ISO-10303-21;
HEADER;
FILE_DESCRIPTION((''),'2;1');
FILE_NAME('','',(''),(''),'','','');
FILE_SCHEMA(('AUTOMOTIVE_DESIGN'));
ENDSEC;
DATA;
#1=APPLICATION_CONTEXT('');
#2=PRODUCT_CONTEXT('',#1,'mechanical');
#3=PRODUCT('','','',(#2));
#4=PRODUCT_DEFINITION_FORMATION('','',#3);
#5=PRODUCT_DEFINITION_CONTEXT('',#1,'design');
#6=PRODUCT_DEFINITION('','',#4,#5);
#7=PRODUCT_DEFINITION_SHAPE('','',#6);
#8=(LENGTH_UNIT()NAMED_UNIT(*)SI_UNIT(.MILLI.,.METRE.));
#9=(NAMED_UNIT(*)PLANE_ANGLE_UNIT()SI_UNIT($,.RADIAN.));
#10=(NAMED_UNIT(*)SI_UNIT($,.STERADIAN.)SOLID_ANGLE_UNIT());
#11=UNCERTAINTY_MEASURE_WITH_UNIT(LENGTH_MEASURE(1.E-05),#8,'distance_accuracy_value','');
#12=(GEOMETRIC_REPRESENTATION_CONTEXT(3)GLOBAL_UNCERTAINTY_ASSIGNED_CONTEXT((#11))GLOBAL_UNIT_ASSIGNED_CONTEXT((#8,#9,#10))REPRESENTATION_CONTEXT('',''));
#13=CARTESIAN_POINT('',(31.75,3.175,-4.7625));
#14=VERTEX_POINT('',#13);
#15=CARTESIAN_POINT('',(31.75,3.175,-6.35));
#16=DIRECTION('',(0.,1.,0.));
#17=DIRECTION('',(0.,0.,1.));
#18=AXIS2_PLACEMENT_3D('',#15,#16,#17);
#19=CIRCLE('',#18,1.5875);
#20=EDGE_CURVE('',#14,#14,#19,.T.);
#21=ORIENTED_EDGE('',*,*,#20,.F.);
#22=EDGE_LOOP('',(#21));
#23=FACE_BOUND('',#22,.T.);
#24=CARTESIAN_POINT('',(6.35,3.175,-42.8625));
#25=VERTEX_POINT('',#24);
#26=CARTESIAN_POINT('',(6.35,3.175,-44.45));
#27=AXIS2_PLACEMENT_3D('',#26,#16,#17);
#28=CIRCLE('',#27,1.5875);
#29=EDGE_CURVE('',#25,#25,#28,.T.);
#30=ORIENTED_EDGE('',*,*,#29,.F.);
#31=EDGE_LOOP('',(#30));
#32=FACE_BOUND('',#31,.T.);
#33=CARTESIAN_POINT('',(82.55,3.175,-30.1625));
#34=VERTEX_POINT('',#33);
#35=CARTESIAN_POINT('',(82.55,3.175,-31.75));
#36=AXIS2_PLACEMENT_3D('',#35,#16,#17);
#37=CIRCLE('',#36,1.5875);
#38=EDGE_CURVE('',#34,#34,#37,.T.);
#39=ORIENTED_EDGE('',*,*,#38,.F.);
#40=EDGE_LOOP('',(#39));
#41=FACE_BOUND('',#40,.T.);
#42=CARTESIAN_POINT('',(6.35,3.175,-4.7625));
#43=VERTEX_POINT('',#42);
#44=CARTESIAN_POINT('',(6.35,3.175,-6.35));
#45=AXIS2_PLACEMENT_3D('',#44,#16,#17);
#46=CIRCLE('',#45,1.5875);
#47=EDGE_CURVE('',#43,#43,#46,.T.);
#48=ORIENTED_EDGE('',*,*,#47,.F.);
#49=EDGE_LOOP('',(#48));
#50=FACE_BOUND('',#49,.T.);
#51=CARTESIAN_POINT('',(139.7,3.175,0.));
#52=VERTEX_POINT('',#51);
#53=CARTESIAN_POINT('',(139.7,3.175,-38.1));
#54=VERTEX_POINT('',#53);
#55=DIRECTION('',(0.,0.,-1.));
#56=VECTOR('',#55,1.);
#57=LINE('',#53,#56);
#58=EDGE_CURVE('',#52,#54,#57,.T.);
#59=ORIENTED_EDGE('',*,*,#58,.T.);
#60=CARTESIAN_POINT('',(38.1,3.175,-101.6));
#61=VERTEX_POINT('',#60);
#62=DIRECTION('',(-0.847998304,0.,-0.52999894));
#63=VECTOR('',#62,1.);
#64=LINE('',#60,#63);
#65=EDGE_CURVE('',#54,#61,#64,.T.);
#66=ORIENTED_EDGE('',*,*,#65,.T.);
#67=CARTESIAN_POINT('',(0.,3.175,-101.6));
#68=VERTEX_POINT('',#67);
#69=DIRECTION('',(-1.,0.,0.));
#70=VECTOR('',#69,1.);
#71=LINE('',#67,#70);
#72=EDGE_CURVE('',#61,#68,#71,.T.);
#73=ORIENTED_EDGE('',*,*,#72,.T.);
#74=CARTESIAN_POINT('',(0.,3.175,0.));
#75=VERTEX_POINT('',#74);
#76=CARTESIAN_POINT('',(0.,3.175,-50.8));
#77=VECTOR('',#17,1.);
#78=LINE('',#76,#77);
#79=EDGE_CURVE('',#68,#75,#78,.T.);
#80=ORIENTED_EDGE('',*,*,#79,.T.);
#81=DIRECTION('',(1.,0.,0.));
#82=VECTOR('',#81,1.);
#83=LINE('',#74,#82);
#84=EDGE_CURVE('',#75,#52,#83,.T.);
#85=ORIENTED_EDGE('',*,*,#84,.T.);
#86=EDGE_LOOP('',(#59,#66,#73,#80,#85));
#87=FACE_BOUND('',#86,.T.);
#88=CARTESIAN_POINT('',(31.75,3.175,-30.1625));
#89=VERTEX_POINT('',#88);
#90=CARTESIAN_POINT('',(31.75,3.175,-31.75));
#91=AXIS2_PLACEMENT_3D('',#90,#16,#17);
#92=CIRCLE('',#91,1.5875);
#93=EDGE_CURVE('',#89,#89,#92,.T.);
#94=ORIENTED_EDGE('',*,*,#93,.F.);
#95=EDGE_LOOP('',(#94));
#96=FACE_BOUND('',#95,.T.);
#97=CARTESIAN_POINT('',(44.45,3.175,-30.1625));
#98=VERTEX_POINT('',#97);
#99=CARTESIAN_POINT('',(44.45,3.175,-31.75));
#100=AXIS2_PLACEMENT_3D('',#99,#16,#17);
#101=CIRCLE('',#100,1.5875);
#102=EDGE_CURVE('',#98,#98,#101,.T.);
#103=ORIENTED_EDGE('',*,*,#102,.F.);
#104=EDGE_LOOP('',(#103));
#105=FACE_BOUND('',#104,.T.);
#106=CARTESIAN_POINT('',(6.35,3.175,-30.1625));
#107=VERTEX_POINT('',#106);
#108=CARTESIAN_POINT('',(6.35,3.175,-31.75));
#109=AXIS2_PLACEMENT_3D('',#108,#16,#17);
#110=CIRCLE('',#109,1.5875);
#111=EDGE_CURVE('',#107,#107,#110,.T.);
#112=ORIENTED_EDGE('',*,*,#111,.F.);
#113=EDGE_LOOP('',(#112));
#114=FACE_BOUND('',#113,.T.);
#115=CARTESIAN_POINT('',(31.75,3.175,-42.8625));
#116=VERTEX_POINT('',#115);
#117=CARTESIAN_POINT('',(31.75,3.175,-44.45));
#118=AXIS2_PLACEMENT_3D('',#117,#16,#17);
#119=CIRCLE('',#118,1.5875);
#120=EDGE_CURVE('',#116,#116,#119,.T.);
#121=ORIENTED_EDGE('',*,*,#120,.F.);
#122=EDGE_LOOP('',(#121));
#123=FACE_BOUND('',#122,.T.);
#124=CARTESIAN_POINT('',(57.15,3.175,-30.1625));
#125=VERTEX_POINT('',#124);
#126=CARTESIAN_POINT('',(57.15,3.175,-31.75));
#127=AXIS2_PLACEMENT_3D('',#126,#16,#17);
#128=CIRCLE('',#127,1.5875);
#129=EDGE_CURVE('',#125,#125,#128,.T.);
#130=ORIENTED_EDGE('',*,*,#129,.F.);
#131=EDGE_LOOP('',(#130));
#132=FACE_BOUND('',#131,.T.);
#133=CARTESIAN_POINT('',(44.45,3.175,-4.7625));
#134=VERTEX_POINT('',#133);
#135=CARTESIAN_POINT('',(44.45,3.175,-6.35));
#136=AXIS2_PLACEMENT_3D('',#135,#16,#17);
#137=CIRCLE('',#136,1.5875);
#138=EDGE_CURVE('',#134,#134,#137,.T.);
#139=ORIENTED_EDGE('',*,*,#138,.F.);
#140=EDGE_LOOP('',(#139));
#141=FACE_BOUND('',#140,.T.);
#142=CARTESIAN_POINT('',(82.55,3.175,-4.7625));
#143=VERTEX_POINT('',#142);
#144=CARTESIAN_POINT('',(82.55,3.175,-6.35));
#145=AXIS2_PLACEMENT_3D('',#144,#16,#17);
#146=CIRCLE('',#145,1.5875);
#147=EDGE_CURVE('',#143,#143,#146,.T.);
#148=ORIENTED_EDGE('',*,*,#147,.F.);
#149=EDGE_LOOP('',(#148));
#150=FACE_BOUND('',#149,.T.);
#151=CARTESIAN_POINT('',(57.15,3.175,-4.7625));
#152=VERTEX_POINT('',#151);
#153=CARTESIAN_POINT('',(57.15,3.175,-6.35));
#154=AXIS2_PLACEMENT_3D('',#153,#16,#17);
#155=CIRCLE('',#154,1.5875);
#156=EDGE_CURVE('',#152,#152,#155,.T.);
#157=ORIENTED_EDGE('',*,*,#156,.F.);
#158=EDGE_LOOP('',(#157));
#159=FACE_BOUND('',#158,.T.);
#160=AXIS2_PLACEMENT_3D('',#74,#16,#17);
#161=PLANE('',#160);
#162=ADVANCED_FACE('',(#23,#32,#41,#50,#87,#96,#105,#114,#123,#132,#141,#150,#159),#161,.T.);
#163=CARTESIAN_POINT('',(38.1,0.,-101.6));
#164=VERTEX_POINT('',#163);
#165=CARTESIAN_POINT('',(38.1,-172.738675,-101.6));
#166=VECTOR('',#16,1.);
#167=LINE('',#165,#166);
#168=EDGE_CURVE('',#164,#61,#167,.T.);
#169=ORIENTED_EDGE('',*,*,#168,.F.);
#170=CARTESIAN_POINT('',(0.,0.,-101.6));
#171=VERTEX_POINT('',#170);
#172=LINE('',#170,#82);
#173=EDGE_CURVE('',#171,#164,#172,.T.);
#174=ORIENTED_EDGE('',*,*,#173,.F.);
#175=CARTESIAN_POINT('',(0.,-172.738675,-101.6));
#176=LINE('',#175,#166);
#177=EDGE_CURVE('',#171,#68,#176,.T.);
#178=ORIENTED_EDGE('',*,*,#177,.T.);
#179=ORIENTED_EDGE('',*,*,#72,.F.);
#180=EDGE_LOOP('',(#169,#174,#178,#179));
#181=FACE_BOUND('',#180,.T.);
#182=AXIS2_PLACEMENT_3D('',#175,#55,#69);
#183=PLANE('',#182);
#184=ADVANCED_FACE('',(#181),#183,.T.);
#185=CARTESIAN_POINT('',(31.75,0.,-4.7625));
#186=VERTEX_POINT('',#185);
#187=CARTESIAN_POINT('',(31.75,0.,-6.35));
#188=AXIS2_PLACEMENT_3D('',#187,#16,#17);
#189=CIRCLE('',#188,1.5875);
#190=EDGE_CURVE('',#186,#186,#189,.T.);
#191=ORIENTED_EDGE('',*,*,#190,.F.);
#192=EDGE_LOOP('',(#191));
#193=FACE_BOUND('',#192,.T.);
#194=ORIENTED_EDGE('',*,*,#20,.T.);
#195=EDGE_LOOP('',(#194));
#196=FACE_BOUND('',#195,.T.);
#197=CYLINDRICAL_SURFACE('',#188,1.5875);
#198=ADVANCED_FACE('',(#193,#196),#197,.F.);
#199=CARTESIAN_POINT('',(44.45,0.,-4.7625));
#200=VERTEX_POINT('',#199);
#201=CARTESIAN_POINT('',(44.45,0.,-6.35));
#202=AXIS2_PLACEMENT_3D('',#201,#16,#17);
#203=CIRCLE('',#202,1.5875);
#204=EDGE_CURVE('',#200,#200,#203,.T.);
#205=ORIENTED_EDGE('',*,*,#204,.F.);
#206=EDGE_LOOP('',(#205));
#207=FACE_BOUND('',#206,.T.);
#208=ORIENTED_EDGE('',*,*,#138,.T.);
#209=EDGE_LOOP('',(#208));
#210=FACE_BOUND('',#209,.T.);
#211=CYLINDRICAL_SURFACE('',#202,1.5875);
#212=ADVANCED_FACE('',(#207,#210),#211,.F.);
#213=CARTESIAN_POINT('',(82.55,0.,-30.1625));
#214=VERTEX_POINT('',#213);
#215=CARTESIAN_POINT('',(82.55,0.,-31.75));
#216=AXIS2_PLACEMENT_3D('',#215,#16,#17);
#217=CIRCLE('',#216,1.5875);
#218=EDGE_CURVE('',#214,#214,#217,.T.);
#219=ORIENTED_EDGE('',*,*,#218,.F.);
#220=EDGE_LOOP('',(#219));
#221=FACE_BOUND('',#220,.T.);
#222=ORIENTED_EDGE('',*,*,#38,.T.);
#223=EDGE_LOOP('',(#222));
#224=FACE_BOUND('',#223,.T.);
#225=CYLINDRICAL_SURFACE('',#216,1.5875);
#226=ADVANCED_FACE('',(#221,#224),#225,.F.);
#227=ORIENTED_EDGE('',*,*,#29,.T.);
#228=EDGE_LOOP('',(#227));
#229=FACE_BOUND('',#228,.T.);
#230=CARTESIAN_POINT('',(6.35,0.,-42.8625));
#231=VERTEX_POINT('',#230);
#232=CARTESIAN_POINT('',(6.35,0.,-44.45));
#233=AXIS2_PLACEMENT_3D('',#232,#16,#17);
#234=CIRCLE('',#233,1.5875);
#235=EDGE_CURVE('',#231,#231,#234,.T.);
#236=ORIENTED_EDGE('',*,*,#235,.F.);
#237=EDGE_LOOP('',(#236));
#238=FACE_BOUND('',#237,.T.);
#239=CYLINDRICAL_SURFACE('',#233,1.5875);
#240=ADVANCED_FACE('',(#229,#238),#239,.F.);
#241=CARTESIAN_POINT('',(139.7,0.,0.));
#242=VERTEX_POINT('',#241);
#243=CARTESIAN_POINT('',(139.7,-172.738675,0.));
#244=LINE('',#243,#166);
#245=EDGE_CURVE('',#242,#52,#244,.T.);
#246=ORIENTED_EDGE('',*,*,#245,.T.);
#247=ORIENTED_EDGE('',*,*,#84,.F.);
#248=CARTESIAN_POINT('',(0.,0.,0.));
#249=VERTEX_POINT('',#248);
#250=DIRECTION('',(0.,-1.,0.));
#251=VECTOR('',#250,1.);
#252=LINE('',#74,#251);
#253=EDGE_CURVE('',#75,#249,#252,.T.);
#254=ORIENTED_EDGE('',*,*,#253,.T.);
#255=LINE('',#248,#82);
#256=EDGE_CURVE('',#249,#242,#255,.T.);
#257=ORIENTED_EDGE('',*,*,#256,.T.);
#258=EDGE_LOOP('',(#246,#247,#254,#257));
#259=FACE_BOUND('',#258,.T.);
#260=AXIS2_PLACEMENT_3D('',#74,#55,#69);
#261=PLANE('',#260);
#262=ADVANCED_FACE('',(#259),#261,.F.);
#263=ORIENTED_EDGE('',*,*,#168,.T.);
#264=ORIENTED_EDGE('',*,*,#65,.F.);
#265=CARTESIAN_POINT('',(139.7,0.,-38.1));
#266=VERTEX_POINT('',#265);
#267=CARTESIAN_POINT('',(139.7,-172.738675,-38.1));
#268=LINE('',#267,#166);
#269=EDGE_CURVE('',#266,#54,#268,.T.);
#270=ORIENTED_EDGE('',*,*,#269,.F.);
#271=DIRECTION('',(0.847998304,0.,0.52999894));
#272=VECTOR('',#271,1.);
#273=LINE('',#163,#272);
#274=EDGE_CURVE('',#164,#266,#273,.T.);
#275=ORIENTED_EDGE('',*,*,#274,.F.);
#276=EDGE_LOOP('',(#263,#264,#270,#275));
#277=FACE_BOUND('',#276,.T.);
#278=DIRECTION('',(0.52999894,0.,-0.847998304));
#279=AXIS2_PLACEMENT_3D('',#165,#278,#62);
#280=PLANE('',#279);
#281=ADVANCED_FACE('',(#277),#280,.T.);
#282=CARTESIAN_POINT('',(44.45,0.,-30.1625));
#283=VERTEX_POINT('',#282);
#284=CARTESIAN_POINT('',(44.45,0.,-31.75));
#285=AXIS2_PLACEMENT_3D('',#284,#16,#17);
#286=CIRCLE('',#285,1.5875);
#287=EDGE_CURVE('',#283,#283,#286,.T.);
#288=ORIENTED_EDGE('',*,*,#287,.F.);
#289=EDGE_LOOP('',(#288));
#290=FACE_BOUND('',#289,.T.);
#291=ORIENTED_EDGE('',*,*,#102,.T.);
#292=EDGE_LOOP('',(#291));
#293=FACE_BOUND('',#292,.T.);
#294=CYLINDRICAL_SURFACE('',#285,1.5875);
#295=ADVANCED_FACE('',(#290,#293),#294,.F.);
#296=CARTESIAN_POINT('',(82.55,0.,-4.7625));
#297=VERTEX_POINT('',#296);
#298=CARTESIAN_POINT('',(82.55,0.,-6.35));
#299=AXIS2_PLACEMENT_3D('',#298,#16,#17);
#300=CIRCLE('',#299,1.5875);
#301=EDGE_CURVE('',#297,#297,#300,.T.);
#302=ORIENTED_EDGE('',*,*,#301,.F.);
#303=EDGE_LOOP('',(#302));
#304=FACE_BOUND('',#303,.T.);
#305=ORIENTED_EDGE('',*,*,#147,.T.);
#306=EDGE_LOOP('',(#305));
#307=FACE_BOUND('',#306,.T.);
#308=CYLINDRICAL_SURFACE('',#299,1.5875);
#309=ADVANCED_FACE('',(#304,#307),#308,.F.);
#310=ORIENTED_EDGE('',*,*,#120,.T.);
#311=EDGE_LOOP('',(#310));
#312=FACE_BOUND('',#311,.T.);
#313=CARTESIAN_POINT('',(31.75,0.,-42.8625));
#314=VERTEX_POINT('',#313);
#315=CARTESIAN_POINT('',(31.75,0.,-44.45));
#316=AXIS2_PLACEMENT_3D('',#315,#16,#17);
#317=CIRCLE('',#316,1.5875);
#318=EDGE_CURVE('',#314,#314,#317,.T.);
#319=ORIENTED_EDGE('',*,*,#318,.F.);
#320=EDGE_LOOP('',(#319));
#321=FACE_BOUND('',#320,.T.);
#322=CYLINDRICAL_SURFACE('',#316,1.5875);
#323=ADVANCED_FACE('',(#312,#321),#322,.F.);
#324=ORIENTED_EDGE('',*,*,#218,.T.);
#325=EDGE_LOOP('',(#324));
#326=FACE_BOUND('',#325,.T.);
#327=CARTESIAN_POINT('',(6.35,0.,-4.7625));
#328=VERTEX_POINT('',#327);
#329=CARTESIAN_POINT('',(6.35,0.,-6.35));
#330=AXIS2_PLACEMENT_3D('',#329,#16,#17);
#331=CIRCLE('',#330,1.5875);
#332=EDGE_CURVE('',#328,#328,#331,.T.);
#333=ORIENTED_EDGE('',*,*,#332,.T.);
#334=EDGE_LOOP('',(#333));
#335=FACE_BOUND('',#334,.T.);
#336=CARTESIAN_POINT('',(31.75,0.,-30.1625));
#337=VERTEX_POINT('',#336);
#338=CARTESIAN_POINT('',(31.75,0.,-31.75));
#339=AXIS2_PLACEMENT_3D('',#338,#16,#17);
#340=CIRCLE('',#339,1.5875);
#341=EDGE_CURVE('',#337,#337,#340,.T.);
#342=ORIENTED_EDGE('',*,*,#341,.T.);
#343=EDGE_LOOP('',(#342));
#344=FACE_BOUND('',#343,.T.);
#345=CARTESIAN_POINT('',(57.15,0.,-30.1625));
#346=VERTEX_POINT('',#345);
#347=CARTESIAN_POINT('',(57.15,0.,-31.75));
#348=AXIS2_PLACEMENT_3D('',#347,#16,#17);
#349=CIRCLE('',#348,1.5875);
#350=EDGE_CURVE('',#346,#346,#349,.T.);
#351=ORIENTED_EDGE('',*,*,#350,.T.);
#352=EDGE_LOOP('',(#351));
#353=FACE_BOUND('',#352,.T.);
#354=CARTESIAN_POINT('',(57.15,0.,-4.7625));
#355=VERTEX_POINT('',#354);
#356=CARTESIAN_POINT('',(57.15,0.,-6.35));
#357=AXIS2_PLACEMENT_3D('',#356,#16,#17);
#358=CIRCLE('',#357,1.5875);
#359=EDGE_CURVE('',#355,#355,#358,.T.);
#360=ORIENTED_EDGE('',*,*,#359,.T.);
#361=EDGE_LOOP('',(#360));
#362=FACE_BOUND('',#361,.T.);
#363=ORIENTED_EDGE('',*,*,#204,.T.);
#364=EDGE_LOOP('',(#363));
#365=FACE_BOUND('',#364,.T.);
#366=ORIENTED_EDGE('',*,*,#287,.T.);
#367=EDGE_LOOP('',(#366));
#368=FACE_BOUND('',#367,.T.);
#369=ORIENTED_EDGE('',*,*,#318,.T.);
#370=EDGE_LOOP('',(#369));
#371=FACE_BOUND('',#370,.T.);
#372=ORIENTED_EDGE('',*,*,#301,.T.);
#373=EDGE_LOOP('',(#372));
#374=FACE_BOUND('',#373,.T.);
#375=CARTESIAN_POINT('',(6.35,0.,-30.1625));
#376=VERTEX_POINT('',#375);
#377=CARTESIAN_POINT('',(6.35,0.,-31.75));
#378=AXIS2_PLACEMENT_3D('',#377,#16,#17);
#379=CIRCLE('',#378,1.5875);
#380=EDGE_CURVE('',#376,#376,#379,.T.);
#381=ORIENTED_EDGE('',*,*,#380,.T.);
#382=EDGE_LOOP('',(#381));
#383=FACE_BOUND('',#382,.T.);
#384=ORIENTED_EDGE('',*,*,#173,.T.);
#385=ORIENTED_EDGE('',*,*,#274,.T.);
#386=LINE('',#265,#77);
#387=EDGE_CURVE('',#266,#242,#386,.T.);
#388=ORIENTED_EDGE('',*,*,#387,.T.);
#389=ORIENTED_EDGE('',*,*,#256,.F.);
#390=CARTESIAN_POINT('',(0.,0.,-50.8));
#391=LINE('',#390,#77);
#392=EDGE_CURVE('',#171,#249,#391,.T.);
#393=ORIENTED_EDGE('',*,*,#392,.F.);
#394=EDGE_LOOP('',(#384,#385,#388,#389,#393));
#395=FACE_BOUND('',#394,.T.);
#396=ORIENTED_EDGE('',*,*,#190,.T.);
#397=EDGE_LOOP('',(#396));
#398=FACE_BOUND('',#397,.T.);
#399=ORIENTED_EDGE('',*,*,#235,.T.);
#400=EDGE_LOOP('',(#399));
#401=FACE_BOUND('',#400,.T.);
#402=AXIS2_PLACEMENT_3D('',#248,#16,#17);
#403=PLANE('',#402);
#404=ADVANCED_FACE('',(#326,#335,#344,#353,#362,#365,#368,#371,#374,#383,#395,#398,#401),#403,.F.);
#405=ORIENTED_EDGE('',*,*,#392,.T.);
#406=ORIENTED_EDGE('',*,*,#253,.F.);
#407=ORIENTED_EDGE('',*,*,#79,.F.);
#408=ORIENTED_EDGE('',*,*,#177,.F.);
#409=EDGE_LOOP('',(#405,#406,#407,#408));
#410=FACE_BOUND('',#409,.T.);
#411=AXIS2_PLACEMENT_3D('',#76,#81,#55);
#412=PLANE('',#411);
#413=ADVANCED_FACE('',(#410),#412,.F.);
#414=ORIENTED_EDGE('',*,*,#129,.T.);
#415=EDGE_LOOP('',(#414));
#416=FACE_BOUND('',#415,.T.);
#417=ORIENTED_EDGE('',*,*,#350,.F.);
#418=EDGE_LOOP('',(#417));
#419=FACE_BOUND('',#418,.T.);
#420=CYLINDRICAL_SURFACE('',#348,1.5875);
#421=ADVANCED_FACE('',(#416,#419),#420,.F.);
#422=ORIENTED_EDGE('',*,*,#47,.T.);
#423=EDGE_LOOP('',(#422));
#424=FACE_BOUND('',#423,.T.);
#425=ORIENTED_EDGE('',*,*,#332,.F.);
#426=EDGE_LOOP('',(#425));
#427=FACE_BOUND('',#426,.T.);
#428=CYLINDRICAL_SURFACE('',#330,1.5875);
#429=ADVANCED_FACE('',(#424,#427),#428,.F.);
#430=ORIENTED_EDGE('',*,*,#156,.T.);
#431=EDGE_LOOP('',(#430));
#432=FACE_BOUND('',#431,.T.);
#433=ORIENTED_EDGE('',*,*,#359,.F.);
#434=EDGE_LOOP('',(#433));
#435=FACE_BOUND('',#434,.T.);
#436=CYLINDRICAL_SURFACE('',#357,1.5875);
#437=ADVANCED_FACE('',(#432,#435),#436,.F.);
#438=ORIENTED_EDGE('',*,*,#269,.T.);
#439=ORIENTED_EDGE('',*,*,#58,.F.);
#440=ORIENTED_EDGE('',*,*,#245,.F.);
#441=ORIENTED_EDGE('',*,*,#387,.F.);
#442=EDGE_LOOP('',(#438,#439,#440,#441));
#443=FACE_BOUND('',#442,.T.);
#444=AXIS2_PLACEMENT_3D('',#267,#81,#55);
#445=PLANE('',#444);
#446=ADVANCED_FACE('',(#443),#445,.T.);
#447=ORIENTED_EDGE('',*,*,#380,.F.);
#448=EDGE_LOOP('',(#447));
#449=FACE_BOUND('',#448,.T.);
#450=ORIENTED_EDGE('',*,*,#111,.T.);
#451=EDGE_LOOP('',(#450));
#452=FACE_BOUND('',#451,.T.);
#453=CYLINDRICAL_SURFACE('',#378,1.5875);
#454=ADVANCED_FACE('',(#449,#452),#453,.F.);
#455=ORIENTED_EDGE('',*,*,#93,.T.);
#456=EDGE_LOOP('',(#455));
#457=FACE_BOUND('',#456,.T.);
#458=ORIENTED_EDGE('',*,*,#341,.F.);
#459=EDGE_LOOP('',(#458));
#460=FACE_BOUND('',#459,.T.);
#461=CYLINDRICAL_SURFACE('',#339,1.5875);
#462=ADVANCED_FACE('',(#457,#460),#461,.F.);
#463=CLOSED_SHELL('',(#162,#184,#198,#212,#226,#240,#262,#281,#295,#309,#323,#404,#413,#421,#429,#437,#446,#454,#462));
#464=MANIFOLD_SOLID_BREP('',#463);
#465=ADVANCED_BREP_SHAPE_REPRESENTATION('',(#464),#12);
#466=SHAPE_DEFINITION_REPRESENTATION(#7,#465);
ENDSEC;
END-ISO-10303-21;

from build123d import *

# Parameters (mm, degrees)
BOSS_EXTRUDE1_DEPTH = 3.175
SKETCH2_R           = 1.5875
CUT_EXTRUDE1_DEPTH  = 4.175
BOSS_EXTRUDE2_DEPTH = 3.175


with BuildPart() as part:
    # Sketch1 → Boss-Extrude1 (new body)
    with BuildSketch(Plane(origin=(0, 0, 0), x_dir=(1, 0, 0), z_dir=(0, 1, 0))):
        Polygon((0, 50.8), (0, 0), (88.9, 0), (88.9, 38.1), (38.1, 38.1), (38.1, 50.8), align=None)
    extrude(amount=BOSS_EXTRUDE1_DEPTH)

    # Sketch2 → Cut-Extrude1 (cut, through all)
    with BuildSketch(Plane(origin=(0, 3.175, 0), x_dir=(1, 0, 0), z_dir=(0, 1, 0))):
        with Locations((6.35, 44.45)):
            Circle(SKETCH2_R)
        with Locations((31.75, 44.45)):
            Circle(SKETCH2_R)
        with Locations((31.75, 31.75)):
            Circle(SKETCH2_R)
        with Locations((6.35, 31.75)):
            Circle(SKETCH2_R)
        with Locations((6.35, 6.35)):
            Circle(SKETCH2_R)
        with Locations((31.75, 6.35)):
            Circle(SKETCH2_R)
        with Locations((82.55, 6.35)):
            Circle(SKETCH2_R)
        with Locations((82.55, 31.75)):
            Circle(SKETCH2_R)
        with Locations((57.15, 31.75)):
            Circle(SKETCH2_R)
        with Locations((57.15, 6.35)):
            Circle(SKETCH2_R)
        with Locations((44.45, 6.35)):
            Circle(SKETCH2_R)
        with Locations((44.45, 31.75)):
            Circle(SKETCH2_R)
    extrude(amount=-CUT_EXTRUDE1_DEPTH, mode=Mode.SUBTRACT)

    # Sketch3 → Boss-Extrude2 (add)
    with BuildSketch(Plane(origin=(0, 3.175, 0), x_dir=(1, 0, 0), z_dir=(0, 1, 0))):
        Polygon((0, 101.6), (38.1, 101.6), (139.7, 38.1), (139.7, 0), (88.9, 0), (88.9, 38.1), (38.1, 38.1), (38.1, 50.8), (0, 50.8), align=None)
    extrude(amount=-BOSS_EXTRUDE2_DEPTH)


solid = part.part
